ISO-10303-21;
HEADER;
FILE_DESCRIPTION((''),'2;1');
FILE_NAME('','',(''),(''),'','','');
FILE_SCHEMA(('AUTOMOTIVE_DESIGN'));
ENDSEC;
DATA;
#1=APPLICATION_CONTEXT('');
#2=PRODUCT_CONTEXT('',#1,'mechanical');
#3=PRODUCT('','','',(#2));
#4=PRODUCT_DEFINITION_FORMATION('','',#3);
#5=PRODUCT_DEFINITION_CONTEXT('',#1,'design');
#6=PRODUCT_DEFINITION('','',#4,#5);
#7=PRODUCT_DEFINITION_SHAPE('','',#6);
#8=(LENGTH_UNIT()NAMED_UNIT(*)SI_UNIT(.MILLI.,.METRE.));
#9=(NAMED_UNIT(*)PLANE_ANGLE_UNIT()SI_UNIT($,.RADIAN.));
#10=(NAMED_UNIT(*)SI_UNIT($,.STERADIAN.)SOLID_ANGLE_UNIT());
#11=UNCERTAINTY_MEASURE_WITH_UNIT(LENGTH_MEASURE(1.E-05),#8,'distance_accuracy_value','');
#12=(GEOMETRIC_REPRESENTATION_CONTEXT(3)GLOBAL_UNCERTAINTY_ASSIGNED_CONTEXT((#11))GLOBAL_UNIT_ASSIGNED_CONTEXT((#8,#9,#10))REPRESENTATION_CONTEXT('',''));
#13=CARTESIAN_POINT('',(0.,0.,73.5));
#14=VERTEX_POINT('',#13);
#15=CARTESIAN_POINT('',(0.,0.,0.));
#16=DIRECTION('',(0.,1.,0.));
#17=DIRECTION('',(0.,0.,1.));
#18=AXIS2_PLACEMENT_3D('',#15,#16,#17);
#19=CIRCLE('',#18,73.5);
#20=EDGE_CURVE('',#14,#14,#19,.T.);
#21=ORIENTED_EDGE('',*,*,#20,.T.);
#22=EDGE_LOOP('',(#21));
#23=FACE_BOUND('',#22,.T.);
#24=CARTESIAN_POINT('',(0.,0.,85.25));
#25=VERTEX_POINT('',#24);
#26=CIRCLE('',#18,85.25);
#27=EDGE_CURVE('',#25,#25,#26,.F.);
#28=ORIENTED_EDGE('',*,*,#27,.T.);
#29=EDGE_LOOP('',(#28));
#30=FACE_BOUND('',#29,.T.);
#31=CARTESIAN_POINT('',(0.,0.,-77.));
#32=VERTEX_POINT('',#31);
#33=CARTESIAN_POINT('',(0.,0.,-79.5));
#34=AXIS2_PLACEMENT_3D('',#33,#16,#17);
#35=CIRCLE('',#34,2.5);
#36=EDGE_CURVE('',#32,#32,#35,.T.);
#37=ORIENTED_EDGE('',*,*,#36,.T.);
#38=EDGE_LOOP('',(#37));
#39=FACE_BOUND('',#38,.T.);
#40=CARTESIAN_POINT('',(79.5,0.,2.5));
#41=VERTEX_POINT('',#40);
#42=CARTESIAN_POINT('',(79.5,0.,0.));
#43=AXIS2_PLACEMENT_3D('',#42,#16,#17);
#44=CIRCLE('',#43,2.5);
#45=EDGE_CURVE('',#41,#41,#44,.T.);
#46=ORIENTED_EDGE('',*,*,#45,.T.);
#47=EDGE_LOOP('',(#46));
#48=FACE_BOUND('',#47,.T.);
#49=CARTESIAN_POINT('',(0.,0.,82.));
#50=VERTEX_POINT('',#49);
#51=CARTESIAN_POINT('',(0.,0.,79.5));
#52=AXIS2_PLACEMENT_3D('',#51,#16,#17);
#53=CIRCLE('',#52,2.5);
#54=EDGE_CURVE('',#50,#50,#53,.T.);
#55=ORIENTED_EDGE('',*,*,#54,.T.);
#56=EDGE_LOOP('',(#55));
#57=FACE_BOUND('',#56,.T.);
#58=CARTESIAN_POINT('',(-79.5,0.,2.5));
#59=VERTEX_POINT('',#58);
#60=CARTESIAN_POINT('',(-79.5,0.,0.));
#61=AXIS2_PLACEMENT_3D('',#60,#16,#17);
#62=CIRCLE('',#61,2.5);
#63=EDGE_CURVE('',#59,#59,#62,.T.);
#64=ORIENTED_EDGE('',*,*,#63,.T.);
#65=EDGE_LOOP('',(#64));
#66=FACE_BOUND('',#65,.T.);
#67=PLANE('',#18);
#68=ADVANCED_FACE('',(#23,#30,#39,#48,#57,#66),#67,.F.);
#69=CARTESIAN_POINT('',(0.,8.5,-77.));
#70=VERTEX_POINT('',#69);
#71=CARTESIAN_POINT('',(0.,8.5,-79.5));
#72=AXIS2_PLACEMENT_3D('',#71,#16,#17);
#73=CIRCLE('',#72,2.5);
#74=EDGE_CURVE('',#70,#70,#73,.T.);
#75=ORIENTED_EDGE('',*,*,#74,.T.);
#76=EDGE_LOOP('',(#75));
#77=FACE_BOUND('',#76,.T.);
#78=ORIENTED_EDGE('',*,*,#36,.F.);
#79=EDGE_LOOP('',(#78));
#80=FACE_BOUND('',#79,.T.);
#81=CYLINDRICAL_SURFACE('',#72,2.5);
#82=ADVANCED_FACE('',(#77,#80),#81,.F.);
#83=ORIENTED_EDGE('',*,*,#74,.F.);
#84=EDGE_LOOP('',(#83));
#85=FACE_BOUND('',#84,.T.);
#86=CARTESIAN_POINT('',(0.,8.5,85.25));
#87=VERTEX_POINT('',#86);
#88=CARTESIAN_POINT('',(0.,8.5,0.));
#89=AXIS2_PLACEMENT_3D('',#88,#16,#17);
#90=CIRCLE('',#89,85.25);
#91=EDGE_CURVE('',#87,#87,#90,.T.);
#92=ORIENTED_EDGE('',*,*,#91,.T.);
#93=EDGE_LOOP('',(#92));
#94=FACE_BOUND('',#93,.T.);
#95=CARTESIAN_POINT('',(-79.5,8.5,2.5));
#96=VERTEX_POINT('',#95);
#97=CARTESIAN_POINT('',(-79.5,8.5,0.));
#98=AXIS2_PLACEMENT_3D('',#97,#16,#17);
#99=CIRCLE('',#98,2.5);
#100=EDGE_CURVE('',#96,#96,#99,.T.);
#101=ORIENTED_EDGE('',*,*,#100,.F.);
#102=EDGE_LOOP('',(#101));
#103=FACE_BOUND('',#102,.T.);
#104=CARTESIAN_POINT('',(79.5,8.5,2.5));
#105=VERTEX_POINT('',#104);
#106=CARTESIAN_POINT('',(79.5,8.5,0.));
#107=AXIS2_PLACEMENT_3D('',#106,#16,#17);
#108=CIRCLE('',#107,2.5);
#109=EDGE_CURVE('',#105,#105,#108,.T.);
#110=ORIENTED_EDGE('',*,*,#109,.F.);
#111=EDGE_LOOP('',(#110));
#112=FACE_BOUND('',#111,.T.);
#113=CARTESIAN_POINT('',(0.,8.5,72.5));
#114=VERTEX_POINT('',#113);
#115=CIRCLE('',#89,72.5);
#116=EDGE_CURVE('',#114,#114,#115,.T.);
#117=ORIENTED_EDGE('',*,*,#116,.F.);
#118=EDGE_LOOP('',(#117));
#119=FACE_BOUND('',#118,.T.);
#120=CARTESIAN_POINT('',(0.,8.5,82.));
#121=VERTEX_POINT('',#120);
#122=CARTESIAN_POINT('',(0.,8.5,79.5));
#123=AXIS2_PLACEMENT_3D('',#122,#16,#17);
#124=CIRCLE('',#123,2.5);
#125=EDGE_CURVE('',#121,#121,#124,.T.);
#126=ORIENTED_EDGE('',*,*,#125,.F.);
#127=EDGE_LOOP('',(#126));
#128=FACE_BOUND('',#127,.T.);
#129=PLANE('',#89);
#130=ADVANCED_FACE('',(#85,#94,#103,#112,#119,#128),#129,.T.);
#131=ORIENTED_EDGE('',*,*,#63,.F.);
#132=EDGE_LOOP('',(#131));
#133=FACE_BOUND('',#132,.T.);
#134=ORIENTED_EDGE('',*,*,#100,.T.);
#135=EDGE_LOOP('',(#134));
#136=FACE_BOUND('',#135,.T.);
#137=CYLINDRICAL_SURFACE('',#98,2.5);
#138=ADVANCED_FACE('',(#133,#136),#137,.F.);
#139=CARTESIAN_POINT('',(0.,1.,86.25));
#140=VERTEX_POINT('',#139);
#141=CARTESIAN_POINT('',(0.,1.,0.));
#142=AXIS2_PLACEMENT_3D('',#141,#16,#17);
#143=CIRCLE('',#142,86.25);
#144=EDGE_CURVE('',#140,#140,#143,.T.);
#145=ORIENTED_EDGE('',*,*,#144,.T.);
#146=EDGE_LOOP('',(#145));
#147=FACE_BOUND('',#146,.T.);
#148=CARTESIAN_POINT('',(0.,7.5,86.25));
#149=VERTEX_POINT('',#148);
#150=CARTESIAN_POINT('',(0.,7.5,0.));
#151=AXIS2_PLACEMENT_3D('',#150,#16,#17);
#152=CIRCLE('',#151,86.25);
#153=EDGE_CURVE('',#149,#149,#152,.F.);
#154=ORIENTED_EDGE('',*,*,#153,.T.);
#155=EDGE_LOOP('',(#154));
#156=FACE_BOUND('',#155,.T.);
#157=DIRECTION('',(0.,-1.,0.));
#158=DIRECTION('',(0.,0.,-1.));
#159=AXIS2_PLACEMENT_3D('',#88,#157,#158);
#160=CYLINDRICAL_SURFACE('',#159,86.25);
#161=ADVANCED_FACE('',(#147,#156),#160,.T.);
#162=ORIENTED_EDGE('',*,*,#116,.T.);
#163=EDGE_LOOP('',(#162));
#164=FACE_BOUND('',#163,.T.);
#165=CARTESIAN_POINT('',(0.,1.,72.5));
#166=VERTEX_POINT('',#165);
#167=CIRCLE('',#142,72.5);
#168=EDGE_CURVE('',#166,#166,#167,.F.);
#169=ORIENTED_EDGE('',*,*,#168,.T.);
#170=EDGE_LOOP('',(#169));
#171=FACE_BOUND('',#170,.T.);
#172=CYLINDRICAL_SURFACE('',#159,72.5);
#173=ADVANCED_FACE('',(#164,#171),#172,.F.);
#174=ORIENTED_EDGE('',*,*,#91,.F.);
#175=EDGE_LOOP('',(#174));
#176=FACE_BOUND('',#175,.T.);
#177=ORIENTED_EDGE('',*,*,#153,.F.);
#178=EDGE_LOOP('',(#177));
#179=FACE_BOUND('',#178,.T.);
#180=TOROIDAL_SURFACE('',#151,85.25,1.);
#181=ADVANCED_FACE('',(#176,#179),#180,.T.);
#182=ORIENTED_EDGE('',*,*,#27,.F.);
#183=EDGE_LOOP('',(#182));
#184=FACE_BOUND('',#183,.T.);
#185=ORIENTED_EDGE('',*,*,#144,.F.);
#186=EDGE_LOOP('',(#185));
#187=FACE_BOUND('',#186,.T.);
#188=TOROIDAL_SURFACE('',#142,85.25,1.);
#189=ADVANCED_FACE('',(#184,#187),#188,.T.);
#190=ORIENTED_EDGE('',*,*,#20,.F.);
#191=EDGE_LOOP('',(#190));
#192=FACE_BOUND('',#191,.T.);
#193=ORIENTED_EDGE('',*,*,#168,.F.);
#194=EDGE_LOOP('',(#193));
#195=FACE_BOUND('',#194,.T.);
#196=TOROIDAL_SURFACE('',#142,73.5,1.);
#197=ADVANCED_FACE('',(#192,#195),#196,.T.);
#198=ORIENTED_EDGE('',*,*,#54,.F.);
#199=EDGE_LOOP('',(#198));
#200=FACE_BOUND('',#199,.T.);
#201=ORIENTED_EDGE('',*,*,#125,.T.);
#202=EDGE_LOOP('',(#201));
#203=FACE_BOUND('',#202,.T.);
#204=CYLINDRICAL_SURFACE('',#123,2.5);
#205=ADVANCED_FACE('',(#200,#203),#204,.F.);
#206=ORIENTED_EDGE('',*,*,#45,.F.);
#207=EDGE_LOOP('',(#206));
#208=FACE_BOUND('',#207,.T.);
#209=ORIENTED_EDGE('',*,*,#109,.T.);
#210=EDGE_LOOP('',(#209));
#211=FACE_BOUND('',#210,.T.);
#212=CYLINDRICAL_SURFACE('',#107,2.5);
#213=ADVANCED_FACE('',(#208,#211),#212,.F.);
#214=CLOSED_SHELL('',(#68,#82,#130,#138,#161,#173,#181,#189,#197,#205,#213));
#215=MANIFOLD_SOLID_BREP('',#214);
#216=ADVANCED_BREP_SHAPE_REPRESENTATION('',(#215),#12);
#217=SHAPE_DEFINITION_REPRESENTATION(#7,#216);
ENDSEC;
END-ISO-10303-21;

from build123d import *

# Parameters (mm, degrees)
SKETCH1_R           = 86.25
SKETCH1_R_2         = 72.5
BOSS_EXTRUDE1_DEPTH = 8.5
FILLET1_R           = 1
M6_TAPPED_HOLE1_D   = 5


with BuildPart() as part:
    # Sketch1 → Boss-Extrude1 (new body)
    with BuildSketch(Plane(origin=(0, 0, 0), x_dir=(1, 0, 0), z_dir=(0, 1, 0))):
        with Locations(Location((0, 0, 0), (0, 0, 270))):
            Circle(SKETCH1_R)
        with Locations(Location((0, 0, 0), (0, 0, 270))):
            Circle(SKETCH1_R_2, mode=Mode.SUBTRACT)
    extrude(amount=BOSS_EXTRUDE1_DEPTH)

    # Fillet1
    fillet1_edges = [part.edges().sort_by_distance(p)[0] for p in [
        (0, 0, -86.25),
        (0, 8.5, -86.25),
        (0, 0, -72.5),
    ]]
    fillet(fillet1_edges, radius=FILLET1_R)

    # M6 Tapped Hole1 (through all)
    with Locations(Plane(origin=(0, 8.5, 0), x_dir=(1, 0, 0), z_dir=(0, 1, 0))):
        with Locations((0, 79.5), (79.5, 0), (0, -79.5), (-79.5, 0)):
            Hole(M6_TAPPED_HOLE1_D / 2)


solid = part.part
